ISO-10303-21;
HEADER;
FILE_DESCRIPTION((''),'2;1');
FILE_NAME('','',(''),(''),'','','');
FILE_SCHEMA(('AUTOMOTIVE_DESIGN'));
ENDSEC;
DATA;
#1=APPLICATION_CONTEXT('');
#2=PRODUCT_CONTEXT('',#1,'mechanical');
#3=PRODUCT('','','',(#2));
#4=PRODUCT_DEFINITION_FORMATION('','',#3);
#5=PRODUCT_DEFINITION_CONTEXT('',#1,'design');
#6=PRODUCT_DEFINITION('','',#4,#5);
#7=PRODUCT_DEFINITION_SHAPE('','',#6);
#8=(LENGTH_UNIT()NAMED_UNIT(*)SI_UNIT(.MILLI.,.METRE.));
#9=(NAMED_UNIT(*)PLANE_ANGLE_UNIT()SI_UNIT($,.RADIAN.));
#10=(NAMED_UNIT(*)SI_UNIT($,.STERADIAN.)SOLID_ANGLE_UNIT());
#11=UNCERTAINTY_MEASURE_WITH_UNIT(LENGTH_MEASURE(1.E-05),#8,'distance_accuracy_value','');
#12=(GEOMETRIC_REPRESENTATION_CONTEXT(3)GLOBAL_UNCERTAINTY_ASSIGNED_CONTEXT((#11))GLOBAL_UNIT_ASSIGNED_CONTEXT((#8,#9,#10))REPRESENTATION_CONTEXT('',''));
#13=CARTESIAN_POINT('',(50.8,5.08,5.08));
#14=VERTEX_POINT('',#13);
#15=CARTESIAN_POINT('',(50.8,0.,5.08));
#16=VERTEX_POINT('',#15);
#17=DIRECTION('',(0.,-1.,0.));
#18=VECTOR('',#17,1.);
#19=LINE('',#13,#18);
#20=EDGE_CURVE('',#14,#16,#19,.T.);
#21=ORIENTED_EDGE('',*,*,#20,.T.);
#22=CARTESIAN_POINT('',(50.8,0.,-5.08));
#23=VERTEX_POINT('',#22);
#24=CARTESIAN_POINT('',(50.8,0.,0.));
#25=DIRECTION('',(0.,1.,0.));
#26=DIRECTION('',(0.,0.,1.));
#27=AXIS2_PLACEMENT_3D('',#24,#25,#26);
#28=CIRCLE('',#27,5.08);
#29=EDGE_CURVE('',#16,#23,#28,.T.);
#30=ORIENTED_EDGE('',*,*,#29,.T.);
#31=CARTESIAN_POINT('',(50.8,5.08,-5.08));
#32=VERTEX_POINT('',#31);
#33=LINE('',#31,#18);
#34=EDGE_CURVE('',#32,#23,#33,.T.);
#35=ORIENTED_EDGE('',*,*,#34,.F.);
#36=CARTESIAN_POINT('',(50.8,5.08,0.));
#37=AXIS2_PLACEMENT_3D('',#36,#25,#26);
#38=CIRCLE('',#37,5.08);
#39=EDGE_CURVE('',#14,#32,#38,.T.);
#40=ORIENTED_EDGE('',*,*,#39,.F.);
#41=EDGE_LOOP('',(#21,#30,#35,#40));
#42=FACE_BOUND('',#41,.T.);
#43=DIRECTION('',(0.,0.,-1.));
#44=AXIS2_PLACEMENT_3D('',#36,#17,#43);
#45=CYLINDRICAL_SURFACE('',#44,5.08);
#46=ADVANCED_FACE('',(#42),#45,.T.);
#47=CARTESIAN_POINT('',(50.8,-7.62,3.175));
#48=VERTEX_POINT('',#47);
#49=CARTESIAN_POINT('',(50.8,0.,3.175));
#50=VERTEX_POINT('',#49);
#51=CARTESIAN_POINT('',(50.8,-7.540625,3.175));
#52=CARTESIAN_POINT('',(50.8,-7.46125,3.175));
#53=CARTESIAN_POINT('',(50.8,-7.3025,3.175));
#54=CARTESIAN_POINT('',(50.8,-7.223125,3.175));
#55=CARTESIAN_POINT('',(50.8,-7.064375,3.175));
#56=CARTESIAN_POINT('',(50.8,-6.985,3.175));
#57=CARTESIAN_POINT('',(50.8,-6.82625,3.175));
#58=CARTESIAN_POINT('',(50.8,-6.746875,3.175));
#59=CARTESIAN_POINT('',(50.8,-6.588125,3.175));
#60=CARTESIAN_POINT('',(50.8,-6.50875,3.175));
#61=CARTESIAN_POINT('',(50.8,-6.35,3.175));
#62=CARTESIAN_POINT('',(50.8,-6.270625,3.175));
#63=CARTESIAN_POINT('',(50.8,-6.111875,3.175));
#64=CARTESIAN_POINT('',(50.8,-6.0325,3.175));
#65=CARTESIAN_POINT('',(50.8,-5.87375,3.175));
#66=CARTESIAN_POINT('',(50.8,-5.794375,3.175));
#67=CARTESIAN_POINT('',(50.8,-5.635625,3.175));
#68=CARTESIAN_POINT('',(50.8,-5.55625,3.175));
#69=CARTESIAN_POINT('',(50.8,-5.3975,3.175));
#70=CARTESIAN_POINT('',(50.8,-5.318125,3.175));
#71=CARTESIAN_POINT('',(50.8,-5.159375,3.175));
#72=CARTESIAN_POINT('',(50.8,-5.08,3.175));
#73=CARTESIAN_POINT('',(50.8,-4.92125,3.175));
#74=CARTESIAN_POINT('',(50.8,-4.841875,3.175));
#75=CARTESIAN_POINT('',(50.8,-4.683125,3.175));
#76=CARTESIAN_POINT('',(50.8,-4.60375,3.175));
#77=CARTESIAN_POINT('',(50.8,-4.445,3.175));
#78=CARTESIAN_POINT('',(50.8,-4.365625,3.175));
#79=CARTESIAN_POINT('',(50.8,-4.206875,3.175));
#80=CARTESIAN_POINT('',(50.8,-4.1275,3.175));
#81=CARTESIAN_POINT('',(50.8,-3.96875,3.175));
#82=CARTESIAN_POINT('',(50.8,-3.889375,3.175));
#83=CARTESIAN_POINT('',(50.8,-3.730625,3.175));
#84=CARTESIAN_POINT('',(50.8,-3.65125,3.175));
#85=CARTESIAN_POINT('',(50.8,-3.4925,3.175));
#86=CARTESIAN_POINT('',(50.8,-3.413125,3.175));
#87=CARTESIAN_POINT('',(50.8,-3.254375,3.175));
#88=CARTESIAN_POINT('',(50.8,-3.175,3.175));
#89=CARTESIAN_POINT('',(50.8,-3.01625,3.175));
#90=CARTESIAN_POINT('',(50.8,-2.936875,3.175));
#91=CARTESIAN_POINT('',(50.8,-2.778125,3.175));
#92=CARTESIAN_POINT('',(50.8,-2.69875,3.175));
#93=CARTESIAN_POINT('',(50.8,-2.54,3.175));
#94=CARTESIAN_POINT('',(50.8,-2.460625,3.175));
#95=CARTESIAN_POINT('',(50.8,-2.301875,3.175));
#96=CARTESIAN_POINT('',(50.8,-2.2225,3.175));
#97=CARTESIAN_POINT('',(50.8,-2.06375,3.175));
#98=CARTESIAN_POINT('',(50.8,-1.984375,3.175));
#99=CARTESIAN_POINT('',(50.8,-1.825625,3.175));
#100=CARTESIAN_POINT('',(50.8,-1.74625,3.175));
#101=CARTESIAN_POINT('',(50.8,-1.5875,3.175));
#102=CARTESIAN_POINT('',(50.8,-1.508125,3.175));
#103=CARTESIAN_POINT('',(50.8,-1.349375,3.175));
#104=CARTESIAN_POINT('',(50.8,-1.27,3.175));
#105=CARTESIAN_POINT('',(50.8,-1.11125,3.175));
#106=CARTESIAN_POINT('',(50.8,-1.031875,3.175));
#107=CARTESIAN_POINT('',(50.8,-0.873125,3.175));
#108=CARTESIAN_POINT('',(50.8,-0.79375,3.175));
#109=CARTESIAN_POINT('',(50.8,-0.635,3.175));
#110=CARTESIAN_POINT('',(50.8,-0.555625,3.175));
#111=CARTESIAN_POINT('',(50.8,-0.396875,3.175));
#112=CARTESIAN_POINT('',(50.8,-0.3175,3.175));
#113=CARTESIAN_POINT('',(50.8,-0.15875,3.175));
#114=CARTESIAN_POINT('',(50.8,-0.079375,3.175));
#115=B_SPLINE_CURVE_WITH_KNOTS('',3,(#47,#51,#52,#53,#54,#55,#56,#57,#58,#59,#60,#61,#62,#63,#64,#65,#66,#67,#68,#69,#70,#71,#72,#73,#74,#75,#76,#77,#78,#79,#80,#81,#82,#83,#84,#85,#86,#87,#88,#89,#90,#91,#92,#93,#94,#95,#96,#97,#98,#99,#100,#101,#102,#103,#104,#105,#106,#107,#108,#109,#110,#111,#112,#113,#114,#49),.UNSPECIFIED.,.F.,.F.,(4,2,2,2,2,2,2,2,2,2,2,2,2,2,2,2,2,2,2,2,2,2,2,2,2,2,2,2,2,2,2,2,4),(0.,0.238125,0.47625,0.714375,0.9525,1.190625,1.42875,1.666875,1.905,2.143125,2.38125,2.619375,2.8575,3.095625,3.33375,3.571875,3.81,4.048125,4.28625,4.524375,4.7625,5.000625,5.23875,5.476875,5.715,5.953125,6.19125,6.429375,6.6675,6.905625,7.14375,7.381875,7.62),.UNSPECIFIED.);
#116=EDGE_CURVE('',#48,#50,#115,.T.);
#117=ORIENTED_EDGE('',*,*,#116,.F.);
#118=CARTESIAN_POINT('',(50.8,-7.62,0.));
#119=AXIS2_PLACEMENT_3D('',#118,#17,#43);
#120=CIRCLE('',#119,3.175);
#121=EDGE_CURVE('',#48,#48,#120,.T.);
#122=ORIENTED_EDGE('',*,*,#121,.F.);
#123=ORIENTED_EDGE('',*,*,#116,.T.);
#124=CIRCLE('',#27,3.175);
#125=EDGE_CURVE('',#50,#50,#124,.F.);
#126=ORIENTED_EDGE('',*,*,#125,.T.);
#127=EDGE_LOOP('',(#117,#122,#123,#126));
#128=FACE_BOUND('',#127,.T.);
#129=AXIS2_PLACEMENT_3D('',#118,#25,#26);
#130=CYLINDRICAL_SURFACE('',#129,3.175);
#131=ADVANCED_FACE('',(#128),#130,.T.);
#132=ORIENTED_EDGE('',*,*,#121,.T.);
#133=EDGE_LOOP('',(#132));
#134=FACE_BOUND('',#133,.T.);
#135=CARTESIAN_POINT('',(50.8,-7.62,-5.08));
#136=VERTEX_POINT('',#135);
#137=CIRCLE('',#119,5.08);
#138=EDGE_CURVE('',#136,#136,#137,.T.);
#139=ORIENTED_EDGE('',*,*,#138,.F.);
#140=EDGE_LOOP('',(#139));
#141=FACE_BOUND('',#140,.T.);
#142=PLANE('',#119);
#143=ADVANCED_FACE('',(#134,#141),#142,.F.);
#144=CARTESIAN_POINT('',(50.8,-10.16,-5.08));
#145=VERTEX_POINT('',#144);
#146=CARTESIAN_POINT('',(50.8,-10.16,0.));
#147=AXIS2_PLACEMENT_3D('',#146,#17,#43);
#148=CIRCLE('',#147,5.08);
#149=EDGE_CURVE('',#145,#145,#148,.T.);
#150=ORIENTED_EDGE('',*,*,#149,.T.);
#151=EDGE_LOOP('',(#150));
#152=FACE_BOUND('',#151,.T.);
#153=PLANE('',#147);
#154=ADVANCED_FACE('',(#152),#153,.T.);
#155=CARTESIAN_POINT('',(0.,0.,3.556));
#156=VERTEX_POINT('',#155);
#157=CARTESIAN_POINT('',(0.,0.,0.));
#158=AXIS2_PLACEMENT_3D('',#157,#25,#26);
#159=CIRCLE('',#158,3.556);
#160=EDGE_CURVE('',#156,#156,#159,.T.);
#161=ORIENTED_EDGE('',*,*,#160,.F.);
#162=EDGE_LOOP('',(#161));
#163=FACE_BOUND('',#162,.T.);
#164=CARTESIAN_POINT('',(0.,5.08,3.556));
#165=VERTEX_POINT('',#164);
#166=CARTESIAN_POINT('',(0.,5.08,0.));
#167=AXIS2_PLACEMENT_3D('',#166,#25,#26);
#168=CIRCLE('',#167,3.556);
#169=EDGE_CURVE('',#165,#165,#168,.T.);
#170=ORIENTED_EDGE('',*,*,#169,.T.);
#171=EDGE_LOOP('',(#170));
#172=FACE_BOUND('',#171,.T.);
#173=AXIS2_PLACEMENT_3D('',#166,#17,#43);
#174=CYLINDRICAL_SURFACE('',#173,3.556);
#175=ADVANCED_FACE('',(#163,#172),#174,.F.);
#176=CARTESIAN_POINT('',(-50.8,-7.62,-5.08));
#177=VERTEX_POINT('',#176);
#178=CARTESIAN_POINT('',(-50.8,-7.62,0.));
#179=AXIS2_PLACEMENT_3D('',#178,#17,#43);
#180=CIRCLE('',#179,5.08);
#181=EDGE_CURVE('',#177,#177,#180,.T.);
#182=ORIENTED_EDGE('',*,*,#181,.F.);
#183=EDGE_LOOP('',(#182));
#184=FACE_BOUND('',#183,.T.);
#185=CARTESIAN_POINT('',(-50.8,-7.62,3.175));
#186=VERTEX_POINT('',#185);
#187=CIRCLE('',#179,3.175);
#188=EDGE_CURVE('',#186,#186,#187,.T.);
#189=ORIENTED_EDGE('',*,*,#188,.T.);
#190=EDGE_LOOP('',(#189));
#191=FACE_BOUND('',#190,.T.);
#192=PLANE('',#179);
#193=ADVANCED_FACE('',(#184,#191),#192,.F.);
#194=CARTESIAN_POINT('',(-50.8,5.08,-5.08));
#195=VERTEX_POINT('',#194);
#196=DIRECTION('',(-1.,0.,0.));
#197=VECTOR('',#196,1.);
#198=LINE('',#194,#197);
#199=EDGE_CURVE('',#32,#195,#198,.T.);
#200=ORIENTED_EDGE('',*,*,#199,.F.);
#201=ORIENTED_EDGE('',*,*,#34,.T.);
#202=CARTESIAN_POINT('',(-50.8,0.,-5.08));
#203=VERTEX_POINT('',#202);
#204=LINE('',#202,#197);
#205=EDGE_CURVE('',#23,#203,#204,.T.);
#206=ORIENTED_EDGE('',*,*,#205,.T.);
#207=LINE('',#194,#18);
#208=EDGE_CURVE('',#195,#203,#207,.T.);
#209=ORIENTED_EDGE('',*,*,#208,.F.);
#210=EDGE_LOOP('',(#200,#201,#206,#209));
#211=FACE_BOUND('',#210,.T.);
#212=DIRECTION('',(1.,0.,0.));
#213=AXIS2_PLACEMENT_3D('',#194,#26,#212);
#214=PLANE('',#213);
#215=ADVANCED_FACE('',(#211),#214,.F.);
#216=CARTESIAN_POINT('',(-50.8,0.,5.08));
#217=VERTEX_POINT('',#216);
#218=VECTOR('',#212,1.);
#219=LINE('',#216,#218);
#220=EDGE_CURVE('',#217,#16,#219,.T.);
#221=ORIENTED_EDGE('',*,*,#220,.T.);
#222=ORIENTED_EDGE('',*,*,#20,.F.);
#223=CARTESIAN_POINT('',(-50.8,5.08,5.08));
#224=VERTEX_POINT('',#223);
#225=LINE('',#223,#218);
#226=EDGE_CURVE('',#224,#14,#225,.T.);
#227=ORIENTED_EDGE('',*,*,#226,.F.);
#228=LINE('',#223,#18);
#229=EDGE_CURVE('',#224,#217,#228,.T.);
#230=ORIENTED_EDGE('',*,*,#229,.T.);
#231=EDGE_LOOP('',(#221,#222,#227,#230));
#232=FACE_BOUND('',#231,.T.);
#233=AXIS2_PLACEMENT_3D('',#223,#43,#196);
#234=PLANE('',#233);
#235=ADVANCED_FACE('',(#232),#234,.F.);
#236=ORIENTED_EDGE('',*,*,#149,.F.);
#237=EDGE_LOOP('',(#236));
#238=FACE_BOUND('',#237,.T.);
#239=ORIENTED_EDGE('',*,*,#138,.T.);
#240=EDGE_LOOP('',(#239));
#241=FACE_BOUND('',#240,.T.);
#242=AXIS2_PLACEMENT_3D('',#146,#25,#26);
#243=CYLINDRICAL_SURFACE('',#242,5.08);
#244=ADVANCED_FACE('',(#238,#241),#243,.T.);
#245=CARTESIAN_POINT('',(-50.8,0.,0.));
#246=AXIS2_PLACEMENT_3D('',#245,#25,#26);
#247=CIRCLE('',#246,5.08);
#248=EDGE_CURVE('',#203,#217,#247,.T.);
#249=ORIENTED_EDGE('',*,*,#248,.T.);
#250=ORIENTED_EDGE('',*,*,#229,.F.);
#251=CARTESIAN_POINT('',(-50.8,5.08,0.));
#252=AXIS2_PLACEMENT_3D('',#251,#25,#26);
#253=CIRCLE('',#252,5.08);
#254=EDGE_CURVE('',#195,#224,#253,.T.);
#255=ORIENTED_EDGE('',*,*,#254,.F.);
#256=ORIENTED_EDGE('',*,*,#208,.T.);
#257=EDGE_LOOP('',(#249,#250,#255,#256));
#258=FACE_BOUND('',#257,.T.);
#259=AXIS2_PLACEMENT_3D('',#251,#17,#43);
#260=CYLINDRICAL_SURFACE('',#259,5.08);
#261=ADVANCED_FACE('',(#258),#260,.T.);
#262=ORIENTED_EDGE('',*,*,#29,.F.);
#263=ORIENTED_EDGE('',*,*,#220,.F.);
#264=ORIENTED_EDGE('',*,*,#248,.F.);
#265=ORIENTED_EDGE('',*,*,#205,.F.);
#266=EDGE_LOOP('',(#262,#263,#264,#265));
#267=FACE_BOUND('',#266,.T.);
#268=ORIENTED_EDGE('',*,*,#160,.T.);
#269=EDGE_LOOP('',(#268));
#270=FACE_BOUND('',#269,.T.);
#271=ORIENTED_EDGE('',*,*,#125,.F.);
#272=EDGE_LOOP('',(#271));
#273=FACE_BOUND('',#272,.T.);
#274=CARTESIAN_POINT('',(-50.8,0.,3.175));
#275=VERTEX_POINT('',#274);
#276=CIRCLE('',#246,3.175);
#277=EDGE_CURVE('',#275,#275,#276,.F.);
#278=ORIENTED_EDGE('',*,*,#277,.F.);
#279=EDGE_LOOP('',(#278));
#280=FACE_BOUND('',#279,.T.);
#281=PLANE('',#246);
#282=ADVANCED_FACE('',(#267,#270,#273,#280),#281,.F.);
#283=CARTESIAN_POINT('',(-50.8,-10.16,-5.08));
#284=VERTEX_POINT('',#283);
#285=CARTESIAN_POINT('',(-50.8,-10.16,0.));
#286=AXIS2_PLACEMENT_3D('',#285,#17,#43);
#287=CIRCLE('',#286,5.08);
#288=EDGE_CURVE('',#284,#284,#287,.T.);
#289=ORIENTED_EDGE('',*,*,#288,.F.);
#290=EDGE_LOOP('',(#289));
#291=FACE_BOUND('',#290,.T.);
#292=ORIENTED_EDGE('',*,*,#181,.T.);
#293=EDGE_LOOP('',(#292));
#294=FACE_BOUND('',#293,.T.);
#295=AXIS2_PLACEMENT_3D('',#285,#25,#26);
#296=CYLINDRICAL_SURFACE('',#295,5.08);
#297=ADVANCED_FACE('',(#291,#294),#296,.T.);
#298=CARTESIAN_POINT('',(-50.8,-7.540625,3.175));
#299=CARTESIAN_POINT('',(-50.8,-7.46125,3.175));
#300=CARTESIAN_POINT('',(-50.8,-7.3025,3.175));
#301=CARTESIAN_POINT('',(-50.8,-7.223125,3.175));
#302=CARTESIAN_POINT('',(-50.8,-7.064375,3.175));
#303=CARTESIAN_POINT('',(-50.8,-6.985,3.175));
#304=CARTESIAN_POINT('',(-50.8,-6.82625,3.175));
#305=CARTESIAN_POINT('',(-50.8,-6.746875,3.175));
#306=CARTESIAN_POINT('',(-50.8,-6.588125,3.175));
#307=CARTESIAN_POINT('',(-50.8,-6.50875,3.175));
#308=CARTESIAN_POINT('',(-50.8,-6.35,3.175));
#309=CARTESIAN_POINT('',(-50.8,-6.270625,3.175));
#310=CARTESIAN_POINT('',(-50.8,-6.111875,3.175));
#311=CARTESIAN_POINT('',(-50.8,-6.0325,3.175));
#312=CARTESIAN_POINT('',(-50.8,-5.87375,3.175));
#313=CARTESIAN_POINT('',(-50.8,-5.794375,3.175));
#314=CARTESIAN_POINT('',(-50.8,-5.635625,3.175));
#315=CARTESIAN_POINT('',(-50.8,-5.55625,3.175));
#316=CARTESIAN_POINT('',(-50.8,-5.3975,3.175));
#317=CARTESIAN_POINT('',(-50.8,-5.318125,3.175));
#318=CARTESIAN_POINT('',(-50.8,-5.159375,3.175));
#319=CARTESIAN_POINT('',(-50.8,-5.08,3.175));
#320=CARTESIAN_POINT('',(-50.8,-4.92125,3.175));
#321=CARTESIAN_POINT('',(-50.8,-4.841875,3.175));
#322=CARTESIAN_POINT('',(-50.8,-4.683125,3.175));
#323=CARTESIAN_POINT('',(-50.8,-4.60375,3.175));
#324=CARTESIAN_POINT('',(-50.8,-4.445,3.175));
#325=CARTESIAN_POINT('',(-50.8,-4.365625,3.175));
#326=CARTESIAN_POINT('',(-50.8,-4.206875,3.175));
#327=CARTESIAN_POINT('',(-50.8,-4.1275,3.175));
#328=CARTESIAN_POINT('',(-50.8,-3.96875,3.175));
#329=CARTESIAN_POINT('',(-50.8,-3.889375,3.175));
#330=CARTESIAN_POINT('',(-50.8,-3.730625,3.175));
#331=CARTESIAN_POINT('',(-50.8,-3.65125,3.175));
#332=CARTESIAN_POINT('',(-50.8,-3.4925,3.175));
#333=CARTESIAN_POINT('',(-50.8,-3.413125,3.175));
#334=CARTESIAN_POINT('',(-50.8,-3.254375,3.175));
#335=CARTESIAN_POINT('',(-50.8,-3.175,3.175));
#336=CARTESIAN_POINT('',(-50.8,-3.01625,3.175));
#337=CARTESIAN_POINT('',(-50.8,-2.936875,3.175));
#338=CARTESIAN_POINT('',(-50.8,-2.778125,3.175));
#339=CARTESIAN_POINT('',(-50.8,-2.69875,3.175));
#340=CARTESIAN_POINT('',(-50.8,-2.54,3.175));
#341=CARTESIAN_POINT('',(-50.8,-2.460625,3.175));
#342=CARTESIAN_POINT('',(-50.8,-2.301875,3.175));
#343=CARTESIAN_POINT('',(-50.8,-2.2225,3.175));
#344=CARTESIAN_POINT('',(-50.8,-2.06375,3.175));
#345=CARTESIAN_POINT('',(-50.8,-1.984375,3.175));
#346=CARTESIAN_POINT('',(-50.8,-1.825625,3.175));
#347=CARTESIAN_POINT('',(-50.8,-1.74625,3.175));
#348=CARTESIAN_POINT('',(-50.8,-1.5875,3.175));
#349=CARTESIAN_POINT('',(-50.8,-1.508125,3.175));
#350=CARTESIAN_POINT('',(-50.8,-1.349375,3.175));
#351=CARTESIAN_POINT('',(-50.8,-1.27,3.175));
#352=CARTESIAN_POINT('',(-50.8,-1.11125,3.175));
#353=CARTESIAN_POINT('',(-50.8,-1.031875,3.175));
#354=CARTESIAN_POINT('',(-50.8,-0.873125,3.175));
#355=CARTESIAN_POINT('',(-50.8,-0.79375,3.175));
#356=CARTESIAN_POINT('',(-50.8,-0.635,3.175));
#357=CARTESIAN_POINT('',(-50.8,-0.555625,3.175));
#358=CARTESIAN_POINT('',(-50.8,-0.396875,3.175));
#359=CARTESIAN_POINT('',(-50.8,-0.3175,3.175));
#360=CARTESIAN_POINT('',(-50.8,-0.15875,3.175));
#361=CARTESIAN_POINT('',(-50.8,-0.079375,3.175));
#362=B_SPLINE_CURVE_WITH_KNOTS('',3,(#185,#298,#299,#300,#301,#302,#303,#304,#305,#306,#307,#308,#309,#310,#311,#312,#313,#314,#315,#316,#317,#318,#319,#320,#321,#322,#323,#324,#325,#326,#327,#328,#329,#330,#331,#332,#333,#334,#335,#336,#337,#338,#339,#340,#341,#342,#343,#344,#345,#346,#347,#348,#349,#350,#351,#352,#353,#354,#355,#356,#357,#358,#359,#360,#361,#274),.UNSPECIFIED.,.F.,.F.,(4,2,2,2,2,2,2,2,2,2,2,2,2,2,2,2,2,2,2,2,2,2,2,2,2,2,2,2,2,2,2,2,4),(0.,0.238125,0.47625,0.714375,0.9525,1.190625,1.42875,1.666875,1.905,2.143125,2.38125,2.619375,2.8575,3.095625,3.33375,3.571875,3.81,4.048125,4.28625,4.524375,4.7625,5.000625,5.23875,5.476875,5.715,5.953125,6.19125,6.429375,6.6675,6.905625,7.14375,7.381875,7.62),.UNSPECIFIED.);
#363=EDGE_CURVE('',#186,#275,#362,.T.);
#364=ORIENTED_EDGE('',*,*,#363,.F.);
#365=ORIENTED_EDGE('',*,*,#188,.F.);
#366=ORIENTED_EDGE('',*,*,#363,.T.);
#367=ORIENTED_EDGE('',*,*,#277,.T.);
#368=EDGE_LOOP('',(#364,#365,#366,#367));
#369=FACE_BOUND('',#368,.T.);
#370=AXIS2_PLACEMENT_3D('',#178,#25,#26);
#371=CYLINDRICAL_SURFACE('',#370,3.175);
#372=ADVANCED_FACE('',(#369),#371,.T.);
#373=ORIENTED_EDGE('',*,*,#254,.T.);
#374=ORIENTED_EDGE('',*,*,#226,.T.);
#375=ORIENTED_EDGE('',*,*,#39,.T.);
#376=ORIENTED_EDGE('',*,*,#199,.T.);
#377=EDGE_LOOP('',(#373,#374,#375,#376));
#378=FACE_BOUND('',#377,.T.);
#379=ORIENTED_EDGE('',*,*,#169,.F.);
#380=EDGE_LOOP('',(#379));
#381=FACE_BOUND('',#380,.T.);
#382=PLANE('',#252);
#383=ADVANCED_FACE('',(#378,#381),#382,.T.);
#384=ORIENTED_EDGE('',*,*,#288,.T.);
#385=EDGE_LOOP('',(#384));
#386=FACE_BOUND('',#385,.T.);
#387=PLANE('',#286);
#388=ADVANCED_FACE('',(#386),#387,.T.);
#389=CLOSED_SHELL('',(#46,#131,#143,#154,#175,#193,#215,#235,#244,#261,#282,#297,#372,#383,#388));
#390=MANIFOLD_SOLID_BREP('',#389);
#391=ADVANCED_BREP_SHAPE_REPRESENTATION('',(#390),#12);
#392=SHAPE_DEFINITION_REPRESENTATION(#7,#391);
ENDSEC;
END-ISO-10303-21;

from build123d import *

# Parameters (mm, degrees)
BOSS_EXTRUDE1_DEPTH = 5.08
SKETCH3_R           = 3.175
BOSS_EXTRUDE2_DEPTH = 7.62
BOSS_EXTRUDE3_START = 2.54
SKETCH4_R           = 5.08
BOSS_EXTRUDE3_DEPTH = 2.54
SKETCH7_R           = 3.556
CUT_EXTRUDE1_DEPTH  = 5.08


with BuildPart() as part:
    # Sketch2 → Boss-Extrude1 (new body)
    with BuildSketch(Plane(origin=(0, 0, 0), x_dir=(1, 0, 0), z_dir=(0, 1, 0))):
        with BuildLine():
            Line((-50.8, -5.08), (50.8, -5.08))
            ThreePointArc((50.8, -5.08), (55.88, 0), (50.8, 5.08))
            Line((50.8, 5.08), (-50.8, 5.08))
            ThreePointArc((-50.8, 5.08), (-55.88, 0), (-50.8, -5.08))
        make_face()
    extrude(amount=BOSS_EXTRUDE1_DEPTH)

    # Sketch3 → Boss-Extrude2 (add)
    with BuildSketch(Plane.XZ):
        with Locations(Location((-50.8, 0, 0), (0, 0, 90))):
            Circle(SKETCH3_R)
        with Locations(Location((50.8, 0, 0), (0, 0, 90))):
            Circle(SKETCH3_R)
    extrude(amount=BOSS_EXTRUDE2_DEPTH)

    # Sketch4 → Boss-Extrude3 (add)
    with BuildSketch(Plane.XZ.offset(7.62).offset(BOSS_EXTRUDE3_START)):
        with Locations(Location((-50.8, 0, 0), (0, 0, 270))):
            Circle(SKETCH4_R)
        with Locations(Location((50.8, 0, 0), (0, 0, 270))):
            Circle(SKETCH4_R)
    extrude(amount=-BOSS_EXTRUDE3_DEPTH)

    # Sketch7 → Cut-Extrude1 (cut)
    with BuildSketch(Plane(origin=(0, 0, 0), x_dir=(1, 0, 0), z_dir=(0, 1, 0))):
        with Locations(Location((0, 0, 0), (0, 0, 270))):
            Circle(SKETCH7_R)
    extrude(amount=CUT_EXTRUDE1_DEPTH, mode=Mode.SUBTRACT)


solid = part.part
